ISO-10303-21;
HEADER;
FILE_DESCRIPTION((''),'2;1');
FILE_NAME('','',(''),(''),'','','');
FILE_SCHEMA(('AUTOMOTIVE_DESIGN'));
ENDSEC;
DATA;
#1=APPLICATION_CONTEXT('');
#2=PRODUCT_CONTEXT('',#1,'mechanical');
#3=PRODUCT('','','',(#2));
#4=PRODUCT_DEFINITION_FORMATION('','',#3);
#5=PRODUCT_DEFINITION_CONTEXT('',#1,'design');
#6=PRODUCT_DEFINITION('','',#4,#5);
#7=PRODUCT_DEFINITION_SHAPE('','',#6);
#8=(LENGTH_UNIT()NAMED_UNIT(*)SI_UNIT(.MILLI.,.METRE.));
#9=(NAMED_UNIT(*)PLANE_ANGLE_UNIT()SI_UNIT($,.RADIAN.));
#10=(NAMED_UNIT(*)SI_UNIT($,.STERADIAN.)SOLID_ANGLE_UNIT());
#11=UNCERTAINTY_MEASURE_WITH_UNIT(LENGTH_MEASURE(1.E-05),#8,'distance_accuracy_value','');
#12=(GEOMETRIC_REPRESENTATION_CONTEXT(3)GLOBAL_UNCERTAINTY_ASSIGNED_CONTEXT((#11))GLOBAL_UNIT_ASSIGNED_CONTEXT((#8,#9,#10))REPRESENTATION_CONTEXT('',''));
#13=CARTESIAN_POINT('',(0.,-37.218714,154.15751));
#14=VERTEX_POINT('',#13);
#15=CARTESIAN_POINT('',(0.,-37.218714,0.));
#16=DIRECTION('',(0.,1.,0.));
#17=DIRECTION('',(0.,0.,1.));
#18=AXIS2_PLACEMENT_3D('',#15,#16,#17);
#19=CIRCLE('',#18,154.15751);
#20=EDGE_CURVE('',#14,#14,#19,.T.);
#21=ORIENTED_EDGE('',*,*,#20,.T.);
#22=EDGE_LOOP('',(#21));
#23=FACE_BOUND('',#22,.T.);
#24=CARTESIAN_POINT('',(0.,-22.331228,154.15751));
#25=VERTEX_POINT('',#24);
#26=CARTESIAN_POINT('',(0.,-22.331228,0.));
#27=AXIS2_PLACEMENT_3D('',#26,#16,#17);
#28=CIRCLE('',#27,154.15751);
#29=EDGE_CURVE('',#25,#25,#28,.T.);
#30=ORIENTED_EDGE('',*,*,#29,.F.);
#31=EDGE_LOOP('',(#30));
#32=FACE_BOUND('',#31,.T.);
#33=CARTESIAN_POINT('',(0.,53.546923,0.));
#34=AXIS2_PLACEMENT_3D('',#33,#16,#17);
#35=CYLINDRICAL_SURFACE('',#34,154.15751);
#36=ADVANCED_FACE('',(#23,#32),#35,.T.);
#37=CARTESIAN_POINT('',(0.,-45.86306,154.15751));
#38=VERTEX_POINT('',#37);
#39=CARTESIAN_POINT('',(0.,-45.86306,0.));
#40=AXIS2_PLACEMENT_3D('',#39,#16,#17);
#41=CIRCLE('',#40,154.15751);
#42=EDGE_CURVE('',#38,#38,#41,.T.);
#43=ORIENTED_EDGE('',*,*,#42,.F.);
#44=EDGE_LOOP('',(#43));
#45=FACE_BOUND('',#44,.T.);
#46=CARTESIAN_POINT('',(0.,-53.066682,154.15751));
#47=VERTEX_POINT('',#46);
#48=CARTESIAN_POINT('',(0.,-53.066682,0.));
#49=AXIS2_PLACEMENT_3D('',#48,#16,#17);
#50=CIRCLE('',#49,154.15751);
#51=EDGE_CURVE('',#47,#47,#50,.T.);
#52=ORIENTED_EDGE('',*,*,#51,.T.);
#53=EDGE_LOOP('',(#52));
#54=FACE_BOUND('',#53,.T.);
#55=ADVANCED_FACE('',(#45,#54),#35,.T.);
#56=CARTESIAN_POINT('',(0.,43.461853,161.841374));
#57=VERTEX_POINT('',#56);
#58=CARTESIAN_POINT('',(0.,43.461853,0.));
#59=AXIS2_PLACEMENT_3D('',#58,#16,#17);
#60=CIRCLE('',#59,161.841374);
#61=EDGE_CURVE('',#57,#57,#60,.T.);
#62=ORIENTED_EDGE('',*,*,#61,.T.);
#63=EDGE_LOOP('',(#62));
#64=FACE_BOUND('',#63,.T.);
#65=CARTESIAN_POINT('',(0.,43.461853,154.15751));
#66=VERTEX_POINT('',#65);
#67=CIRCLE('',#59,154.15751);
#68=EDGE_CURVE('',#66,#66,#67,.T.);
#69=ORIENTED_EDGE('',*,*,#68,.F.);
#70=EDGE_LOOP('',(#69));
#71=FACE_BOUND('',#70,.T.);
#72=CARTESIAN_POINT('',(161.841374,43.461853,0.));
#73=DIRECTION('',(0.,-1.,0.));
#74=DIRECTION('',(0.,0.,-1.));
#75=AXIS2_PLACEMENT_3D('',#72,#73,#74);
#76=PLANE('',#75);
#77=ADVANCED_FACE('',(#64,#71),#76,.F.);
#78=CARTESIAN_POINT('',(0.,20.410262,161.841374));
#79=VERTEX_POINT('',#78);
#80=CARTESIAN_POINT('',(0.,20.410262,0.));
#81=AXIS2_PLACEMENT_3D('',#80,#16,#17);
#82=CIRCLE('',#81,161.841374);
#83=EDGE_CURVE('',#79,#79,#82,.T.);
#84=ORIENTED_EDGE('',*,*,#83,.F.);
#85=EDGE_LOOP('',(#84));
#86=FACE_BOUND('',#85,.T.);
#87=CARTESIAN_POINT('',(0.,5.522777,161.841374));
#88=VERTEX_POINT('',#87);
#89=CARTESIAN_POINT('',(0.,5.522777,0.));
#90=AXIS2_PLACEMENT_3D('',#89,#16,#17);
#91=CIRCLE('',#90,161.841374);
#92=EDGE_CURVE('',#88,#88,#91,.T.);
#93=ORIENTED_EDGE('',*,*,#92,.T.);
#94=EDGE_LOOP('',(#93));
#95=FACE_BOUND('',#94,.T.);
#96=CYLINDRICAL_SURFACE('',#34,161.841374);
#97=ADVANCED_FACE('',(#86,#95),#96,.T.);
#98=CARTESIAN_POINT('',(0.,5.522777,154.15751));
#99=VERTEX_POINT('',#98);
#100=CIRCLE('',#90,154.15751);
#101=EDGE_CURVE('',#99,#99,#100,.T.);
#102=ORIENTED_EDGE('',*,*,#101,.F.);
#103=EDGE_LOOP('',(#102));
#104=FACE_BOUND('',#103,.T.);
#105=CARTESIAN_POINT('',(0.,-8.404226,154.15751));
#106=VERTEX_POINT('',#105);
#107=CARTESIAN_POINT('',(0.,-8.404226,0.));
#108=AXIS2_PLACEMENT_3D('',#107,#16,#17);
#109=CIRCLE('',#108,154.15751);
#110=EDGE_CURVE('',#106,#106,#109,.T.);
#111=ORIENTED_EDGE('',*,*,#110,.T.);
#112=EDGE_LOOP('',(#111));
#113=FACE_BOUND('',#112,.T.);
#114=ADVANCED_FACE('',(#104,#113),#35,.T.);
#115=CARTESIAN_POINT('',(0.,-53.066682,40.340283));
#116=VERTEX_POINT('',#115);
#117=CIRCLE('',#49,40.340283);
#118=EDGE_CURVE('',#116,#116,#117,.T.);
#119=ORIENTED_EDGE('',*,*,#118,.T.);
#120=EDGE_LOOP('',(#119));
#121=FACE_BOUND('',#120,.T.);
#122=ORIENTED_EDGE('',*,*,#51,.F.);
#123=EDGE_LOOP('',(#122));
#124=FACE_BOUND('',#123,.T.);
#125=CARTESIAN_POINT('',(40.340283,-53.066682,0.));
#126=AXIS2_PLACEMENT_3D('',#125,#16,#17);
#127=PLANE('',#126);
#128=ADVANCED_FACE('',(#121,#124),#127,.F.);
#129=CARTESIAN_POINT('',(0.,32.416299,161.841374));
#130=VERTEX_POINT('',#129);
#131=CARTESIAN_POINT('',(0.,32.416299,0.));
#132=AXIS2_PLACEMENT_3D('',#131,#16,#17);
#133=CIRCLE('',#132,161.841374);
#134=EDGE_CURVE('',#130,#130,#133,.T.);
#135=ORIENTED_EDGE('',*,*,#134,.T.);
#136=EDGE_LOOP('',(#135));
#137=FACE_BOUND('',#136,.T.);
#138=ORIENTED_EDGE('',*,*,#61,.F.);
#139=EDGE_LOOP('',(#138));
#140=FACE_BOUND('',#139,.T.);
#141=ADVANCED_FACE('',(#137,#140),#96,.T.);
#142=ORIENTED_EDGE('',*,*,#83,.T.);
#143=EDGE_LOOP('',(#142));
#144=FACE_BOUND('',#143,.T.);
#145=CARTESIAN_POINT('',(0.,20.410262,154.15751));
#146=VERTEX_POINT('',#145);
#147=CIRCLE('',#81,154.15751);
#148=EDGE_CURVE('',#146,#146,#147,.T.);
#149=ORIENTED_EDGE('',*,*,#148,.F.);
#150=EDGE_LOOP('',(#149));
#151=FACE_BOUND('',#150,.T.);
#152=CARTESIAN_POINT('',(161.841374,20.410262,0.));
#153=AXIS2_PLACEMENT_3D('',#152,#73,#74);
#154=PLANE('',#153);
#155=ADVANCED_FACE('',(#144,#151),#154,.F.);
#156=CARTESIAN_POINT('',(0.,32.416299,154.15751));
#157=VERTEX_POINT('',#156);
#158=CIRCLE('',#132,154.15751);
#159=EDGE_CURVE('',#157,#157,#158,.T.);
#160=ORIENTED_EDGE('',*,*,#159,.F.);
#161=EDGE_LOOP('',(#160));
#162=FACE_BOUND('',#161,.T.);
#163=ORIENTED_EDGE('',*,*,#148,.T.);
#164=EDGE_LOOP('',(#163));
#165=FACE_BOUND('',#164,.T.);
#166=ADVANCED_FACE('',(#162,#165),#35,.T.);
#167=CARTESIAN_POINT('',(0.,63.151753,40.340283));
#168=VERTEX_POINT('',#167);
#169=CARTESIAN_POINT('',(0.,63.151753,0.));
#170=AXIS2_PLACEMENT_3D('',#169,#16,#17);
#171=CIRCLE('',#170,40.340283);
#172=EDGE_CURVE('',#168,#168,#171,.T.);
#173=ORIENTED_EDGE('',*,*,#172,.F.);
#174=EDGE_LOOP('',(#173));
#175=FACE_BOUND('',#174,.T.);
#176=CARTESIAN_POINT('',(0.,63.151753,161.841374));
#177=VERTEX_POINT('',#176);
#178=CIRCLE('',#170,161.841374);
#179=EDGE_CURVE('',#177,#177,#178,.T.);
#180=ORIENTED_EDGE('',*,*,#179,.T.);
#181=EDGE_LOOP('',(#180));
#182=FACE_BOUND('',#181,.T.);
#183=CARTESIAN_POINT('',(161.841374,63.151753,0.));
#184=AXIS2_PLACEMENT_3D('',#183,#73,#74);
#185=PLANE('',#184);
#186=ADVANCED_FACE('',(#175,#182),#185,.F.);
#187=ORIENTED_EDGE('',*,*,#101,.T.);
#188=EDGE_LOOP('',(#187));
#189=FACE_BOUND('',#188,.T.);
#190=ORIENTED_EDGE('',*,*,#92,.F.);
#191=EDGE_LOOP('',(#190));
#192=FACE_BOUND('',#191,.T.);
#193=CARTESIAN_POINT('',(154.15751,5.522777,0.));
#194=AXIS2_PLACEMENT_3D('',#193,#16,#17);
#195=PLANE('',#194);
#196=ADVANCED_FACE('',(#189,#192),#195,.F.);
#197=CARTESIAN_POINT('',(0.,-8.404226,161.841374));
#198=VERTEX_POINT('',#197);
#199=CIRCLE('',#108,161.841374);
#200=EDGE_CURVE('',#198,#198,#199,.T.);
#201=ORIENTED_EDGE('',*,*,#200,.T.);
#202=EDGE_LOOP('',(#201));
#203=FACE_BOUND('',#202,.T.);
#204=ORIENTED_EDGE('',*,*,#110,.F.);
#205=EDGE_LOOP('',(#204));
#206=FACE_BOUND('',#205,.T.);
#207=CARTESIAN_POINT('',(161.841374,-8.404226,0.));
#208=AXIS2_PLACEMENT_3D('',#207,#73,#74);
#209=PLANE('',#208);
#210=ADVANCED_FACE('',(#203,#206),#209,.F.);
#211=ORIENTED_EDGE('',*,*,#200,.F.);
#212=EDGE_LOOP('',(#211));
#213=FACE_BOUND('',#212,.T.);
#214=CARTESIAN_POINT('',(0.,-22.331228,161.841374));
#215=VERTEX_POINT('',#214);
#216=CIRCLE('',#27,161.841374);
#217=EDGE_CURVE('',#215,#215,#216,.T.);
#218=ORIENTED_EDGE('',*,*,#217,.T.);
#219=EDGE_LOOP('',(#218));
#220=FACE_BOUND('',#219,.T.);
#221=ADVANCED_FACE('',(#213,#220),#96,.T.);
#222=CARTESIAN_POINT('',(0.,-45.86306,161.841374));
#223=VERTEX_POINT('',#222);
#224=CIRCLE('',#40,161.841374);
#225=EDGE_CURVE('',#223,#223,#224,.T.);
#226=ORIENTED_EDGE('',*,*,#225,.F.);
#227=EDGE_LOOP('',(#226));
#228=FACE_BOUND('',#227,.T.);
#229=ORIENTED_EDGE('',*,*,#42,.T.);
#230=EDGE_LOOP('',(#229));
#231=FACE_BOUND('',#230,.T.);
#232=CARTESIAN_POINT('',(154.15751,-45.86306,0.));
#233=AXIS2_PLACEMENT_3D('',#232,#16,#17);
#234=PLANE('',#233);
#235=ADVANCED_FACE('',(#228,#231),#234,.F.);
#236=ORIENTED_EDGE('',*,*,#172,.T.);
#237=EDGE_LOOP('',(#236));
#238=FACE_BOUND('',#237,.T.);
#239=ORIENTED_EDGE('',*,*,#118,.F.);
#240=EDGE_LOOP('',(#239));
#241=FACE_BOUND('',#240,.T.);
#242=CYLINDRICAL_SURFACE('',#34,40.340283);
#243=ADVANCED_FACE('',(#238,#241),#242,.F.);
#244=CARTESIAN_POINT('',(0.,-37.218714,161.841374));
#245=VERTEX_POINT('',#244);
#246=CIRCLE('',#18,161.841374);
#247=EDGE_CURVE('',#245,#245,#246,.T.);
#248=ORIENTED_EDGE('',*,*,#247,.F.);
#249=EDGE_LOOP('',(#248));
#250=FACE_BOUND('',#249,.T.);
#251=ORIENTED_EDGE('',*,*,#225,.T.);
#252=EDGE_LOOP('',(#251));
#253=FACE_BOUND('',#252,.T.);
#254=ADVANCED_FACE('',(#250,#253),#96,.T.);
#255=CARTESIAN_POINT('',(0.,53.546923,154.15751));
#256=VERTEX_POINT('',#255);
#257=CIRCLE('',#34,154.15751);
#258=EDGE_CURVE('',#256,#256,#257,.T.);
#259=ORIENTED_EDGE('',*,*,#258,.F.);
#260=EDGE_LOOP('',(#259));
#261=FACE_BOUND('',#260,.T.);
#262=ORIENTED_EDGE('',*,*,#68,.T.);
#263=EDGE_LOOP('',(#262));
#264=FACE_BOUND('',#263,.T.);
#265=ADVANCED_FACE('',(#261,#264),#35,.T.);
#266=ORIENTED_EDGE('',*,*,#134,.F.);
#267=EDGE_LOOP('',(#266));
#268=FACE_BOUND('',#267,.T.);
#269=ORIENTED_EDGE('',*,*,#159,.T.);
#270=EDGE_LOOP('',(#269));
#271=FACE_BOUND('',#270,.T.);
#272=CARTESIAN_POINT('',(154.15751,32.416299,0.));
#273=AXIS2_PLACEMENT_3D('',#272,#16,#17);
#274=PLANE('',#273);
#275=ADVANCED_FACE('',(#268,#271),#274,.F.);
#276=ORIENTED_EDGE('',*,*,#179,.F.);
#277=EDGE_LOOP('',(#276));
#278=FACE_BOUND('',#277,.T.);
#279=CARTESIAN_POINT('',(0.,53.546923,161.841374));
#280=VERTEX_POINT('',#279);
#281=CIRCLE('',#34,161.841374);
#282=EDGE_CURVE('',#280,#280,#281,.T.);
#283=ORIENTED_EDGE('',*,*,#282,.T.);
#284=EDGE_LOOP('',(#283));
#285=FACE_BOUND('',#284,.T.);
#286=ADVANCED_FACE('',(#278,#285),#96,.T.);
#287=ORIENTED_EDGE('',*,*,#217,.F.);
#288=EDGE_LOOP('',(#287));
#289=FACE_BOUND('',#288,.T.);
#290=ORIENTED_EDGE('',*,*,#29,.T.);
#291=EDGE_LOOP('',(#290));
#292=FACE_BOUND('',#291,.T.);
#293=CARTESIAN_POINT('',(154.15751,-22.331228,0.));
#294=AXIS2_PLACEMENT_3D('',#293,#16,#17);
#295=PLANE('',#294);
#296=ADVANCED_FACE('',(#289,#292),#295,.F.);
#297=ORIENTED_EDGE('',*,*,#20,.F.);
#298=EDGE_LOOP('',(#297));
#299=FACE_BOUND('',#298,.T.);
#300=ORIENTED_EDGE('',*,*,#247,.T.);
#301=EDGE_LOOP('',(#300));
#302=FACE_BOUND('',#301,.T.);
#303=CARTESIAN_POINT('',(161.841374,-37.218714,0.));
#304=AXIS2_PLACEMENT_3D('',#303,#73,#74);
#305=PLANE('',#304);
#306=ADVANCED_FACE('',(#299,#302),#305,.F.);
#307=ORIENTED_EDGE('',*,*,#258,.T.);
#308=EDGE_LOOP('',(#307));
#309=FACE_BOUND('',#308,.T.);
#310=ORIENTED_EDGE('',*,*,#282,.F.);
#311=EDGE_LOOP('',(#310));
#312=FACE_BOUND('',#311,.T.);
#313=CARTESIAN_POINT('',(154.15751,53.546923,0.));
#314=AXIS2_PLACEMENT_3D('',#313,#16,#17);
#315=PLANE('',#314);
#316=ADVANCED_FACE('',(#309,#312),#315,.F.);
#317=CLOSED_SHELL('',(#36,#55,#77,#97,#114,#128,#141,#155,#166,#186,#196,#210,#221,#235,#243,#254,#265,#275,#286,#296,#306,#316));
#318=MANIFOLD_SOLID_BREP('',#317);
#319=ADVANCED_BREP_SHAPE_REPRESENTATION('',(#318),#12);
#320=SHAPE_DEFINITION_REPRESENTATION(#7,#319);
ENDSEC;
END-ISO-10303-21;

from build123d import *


with BuildPart() as part:
    # Croquis1 → Revolución1 (revolve)
    with BuildSketch(Plane.XY):
        Polygon((40.340283038, -53.066681853), (154.15751018, -53.066681853), (154.15751018, -45.863059882), (161.841373615, -45.863059882), (161.841373615, -37.218713517), (154.15751018, -37.218713517), (154.15751018, -22.33122811), (161.841373615, -22.33122811), (161.841373615, -8.404225633), (154.15751018, -8.404225633), (154.15751018, 5.522776844), (161.841373615, 5.522776844), (161.841373615, 20.410262251), (154.15751018, 20.410262251), (154.15751018, 32.41629887), (161.841373615, 32.41629887), (161.841373615, 43.461852558), (154.15751018, 43.461852558), (154.15751018, 53.546923318), (161.841373615, 53.546923318), (161.841373615, 63.151752613), (40.340283038, 63.151752613), align=None)
    revolve(axis=Axis((0, 53.546923318, 0), (0, -1, 0)))


solid = part.part
